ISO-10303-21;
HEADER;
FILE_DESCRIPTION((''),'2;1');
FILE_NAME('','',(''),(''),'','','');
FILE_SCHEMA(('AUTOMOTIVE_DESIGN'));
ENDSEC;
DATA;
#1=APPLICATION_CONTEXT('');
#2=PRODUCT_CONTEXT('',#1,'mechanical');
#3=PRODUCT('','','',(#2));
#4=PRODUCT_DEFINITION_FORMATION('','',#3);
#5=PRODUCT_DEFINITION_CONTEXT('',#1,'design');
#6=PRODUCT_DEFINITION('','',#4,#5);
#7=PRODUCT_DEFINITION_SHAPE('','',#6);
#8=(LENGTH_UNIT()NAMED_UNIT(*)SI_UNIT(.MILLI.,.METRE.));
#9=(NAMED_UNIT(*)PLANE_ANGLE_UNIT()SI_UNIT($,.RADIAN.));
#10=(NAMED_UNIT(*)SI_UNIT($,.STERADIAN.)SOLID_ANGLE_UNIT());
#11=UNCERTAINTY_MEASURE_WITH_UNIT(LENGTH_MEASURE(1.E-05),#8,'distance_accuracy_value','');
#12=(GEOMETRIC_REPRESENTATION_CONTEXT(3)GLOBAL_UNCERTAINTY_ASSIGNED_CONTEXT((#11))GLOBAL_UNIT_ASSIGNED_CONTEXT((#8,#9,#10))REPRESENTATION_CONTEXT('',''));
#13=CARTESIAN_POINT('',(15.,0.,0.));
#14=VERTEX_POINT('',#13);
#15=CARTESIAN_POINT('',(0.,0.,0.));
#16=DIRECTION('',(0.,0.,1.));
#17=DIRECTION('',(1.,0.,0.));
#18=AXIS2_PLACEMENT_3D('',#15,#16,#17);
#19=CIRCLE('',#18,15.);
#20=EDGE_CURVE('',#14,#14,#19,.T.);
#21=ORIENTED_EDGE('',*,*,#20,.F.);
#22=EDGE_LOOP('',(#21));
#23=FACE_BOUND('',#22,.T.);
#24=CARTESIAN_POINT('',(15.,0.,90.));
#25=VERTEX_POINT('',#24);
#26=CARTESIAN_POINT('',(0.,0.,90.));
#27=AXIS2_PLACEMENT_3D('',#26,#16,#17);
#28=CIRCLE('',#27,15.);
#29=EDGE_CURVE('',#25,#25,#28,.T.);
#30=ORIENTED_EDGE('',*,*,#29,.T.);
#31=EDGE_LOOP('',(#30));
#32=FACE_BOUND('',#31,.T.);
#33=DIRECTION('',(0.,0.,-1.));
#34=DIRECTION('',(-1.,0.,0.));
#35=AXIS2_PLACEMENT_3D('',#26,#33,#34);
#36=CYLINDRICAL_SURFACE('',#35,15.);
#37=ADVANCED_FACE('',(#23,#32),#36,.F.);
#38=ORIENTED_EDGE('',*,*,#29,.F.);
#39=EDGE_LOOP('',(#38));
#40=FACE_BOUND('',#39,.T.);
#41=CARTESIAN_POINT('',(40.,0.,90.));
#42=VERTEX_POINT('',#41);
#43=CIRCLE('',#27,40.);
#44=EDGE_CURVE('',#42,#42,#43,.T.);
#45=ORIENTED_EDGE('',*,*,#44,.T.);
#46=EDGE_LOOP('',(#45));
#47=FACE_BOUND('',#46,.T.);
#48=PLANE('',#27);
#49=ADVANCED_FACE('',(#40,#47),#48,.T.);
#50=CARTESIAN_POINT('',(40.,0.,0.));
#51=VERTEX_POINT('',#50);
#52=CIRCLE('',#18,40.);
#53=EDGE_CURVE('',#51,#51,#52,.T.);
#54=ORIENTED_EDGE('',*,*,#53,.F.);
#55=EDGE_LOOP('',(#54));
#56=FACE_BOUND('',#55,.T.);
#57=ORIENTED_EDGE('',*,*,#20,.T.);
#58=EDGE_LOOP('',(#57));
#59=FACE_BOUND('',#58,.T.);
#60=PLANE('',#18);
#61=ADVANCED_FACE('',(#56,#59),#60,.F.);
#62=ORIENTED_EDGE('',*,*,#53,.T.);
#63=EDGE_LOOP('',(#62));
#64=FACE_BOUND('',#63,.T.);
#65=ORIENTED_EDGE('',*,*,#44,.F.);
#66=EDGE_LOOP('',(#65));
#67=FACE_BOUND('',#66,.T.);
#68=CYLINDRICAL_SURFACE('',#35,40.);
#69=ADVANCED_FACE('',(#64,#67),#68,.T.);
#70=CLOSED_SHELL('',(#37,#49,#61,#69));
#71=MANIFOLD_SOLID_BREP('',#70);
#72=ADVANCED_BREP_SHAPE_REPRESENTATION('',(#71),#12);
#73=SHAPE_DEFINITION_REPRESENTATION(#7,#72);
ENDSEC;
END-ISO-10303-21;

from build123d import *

# Parameters (mm, degrees)
SKETCH1_R           = 40
SKETCH1_R_2         = 15
BOSS_EXTRUDE1_DEPTH = 90


with BuildPart() as part:
    # Sketch1 → Boss-Extrude1 (new body)
    with BuildSketch(Plane.XY):
        Circle(SKETCH1_R)
        Circle(SKETCH1_R_2, mode=Mode.SUBTRACT)
    extrude(amount=BOSS_EXTRUDE1_DEPTH)


solid = part.part
